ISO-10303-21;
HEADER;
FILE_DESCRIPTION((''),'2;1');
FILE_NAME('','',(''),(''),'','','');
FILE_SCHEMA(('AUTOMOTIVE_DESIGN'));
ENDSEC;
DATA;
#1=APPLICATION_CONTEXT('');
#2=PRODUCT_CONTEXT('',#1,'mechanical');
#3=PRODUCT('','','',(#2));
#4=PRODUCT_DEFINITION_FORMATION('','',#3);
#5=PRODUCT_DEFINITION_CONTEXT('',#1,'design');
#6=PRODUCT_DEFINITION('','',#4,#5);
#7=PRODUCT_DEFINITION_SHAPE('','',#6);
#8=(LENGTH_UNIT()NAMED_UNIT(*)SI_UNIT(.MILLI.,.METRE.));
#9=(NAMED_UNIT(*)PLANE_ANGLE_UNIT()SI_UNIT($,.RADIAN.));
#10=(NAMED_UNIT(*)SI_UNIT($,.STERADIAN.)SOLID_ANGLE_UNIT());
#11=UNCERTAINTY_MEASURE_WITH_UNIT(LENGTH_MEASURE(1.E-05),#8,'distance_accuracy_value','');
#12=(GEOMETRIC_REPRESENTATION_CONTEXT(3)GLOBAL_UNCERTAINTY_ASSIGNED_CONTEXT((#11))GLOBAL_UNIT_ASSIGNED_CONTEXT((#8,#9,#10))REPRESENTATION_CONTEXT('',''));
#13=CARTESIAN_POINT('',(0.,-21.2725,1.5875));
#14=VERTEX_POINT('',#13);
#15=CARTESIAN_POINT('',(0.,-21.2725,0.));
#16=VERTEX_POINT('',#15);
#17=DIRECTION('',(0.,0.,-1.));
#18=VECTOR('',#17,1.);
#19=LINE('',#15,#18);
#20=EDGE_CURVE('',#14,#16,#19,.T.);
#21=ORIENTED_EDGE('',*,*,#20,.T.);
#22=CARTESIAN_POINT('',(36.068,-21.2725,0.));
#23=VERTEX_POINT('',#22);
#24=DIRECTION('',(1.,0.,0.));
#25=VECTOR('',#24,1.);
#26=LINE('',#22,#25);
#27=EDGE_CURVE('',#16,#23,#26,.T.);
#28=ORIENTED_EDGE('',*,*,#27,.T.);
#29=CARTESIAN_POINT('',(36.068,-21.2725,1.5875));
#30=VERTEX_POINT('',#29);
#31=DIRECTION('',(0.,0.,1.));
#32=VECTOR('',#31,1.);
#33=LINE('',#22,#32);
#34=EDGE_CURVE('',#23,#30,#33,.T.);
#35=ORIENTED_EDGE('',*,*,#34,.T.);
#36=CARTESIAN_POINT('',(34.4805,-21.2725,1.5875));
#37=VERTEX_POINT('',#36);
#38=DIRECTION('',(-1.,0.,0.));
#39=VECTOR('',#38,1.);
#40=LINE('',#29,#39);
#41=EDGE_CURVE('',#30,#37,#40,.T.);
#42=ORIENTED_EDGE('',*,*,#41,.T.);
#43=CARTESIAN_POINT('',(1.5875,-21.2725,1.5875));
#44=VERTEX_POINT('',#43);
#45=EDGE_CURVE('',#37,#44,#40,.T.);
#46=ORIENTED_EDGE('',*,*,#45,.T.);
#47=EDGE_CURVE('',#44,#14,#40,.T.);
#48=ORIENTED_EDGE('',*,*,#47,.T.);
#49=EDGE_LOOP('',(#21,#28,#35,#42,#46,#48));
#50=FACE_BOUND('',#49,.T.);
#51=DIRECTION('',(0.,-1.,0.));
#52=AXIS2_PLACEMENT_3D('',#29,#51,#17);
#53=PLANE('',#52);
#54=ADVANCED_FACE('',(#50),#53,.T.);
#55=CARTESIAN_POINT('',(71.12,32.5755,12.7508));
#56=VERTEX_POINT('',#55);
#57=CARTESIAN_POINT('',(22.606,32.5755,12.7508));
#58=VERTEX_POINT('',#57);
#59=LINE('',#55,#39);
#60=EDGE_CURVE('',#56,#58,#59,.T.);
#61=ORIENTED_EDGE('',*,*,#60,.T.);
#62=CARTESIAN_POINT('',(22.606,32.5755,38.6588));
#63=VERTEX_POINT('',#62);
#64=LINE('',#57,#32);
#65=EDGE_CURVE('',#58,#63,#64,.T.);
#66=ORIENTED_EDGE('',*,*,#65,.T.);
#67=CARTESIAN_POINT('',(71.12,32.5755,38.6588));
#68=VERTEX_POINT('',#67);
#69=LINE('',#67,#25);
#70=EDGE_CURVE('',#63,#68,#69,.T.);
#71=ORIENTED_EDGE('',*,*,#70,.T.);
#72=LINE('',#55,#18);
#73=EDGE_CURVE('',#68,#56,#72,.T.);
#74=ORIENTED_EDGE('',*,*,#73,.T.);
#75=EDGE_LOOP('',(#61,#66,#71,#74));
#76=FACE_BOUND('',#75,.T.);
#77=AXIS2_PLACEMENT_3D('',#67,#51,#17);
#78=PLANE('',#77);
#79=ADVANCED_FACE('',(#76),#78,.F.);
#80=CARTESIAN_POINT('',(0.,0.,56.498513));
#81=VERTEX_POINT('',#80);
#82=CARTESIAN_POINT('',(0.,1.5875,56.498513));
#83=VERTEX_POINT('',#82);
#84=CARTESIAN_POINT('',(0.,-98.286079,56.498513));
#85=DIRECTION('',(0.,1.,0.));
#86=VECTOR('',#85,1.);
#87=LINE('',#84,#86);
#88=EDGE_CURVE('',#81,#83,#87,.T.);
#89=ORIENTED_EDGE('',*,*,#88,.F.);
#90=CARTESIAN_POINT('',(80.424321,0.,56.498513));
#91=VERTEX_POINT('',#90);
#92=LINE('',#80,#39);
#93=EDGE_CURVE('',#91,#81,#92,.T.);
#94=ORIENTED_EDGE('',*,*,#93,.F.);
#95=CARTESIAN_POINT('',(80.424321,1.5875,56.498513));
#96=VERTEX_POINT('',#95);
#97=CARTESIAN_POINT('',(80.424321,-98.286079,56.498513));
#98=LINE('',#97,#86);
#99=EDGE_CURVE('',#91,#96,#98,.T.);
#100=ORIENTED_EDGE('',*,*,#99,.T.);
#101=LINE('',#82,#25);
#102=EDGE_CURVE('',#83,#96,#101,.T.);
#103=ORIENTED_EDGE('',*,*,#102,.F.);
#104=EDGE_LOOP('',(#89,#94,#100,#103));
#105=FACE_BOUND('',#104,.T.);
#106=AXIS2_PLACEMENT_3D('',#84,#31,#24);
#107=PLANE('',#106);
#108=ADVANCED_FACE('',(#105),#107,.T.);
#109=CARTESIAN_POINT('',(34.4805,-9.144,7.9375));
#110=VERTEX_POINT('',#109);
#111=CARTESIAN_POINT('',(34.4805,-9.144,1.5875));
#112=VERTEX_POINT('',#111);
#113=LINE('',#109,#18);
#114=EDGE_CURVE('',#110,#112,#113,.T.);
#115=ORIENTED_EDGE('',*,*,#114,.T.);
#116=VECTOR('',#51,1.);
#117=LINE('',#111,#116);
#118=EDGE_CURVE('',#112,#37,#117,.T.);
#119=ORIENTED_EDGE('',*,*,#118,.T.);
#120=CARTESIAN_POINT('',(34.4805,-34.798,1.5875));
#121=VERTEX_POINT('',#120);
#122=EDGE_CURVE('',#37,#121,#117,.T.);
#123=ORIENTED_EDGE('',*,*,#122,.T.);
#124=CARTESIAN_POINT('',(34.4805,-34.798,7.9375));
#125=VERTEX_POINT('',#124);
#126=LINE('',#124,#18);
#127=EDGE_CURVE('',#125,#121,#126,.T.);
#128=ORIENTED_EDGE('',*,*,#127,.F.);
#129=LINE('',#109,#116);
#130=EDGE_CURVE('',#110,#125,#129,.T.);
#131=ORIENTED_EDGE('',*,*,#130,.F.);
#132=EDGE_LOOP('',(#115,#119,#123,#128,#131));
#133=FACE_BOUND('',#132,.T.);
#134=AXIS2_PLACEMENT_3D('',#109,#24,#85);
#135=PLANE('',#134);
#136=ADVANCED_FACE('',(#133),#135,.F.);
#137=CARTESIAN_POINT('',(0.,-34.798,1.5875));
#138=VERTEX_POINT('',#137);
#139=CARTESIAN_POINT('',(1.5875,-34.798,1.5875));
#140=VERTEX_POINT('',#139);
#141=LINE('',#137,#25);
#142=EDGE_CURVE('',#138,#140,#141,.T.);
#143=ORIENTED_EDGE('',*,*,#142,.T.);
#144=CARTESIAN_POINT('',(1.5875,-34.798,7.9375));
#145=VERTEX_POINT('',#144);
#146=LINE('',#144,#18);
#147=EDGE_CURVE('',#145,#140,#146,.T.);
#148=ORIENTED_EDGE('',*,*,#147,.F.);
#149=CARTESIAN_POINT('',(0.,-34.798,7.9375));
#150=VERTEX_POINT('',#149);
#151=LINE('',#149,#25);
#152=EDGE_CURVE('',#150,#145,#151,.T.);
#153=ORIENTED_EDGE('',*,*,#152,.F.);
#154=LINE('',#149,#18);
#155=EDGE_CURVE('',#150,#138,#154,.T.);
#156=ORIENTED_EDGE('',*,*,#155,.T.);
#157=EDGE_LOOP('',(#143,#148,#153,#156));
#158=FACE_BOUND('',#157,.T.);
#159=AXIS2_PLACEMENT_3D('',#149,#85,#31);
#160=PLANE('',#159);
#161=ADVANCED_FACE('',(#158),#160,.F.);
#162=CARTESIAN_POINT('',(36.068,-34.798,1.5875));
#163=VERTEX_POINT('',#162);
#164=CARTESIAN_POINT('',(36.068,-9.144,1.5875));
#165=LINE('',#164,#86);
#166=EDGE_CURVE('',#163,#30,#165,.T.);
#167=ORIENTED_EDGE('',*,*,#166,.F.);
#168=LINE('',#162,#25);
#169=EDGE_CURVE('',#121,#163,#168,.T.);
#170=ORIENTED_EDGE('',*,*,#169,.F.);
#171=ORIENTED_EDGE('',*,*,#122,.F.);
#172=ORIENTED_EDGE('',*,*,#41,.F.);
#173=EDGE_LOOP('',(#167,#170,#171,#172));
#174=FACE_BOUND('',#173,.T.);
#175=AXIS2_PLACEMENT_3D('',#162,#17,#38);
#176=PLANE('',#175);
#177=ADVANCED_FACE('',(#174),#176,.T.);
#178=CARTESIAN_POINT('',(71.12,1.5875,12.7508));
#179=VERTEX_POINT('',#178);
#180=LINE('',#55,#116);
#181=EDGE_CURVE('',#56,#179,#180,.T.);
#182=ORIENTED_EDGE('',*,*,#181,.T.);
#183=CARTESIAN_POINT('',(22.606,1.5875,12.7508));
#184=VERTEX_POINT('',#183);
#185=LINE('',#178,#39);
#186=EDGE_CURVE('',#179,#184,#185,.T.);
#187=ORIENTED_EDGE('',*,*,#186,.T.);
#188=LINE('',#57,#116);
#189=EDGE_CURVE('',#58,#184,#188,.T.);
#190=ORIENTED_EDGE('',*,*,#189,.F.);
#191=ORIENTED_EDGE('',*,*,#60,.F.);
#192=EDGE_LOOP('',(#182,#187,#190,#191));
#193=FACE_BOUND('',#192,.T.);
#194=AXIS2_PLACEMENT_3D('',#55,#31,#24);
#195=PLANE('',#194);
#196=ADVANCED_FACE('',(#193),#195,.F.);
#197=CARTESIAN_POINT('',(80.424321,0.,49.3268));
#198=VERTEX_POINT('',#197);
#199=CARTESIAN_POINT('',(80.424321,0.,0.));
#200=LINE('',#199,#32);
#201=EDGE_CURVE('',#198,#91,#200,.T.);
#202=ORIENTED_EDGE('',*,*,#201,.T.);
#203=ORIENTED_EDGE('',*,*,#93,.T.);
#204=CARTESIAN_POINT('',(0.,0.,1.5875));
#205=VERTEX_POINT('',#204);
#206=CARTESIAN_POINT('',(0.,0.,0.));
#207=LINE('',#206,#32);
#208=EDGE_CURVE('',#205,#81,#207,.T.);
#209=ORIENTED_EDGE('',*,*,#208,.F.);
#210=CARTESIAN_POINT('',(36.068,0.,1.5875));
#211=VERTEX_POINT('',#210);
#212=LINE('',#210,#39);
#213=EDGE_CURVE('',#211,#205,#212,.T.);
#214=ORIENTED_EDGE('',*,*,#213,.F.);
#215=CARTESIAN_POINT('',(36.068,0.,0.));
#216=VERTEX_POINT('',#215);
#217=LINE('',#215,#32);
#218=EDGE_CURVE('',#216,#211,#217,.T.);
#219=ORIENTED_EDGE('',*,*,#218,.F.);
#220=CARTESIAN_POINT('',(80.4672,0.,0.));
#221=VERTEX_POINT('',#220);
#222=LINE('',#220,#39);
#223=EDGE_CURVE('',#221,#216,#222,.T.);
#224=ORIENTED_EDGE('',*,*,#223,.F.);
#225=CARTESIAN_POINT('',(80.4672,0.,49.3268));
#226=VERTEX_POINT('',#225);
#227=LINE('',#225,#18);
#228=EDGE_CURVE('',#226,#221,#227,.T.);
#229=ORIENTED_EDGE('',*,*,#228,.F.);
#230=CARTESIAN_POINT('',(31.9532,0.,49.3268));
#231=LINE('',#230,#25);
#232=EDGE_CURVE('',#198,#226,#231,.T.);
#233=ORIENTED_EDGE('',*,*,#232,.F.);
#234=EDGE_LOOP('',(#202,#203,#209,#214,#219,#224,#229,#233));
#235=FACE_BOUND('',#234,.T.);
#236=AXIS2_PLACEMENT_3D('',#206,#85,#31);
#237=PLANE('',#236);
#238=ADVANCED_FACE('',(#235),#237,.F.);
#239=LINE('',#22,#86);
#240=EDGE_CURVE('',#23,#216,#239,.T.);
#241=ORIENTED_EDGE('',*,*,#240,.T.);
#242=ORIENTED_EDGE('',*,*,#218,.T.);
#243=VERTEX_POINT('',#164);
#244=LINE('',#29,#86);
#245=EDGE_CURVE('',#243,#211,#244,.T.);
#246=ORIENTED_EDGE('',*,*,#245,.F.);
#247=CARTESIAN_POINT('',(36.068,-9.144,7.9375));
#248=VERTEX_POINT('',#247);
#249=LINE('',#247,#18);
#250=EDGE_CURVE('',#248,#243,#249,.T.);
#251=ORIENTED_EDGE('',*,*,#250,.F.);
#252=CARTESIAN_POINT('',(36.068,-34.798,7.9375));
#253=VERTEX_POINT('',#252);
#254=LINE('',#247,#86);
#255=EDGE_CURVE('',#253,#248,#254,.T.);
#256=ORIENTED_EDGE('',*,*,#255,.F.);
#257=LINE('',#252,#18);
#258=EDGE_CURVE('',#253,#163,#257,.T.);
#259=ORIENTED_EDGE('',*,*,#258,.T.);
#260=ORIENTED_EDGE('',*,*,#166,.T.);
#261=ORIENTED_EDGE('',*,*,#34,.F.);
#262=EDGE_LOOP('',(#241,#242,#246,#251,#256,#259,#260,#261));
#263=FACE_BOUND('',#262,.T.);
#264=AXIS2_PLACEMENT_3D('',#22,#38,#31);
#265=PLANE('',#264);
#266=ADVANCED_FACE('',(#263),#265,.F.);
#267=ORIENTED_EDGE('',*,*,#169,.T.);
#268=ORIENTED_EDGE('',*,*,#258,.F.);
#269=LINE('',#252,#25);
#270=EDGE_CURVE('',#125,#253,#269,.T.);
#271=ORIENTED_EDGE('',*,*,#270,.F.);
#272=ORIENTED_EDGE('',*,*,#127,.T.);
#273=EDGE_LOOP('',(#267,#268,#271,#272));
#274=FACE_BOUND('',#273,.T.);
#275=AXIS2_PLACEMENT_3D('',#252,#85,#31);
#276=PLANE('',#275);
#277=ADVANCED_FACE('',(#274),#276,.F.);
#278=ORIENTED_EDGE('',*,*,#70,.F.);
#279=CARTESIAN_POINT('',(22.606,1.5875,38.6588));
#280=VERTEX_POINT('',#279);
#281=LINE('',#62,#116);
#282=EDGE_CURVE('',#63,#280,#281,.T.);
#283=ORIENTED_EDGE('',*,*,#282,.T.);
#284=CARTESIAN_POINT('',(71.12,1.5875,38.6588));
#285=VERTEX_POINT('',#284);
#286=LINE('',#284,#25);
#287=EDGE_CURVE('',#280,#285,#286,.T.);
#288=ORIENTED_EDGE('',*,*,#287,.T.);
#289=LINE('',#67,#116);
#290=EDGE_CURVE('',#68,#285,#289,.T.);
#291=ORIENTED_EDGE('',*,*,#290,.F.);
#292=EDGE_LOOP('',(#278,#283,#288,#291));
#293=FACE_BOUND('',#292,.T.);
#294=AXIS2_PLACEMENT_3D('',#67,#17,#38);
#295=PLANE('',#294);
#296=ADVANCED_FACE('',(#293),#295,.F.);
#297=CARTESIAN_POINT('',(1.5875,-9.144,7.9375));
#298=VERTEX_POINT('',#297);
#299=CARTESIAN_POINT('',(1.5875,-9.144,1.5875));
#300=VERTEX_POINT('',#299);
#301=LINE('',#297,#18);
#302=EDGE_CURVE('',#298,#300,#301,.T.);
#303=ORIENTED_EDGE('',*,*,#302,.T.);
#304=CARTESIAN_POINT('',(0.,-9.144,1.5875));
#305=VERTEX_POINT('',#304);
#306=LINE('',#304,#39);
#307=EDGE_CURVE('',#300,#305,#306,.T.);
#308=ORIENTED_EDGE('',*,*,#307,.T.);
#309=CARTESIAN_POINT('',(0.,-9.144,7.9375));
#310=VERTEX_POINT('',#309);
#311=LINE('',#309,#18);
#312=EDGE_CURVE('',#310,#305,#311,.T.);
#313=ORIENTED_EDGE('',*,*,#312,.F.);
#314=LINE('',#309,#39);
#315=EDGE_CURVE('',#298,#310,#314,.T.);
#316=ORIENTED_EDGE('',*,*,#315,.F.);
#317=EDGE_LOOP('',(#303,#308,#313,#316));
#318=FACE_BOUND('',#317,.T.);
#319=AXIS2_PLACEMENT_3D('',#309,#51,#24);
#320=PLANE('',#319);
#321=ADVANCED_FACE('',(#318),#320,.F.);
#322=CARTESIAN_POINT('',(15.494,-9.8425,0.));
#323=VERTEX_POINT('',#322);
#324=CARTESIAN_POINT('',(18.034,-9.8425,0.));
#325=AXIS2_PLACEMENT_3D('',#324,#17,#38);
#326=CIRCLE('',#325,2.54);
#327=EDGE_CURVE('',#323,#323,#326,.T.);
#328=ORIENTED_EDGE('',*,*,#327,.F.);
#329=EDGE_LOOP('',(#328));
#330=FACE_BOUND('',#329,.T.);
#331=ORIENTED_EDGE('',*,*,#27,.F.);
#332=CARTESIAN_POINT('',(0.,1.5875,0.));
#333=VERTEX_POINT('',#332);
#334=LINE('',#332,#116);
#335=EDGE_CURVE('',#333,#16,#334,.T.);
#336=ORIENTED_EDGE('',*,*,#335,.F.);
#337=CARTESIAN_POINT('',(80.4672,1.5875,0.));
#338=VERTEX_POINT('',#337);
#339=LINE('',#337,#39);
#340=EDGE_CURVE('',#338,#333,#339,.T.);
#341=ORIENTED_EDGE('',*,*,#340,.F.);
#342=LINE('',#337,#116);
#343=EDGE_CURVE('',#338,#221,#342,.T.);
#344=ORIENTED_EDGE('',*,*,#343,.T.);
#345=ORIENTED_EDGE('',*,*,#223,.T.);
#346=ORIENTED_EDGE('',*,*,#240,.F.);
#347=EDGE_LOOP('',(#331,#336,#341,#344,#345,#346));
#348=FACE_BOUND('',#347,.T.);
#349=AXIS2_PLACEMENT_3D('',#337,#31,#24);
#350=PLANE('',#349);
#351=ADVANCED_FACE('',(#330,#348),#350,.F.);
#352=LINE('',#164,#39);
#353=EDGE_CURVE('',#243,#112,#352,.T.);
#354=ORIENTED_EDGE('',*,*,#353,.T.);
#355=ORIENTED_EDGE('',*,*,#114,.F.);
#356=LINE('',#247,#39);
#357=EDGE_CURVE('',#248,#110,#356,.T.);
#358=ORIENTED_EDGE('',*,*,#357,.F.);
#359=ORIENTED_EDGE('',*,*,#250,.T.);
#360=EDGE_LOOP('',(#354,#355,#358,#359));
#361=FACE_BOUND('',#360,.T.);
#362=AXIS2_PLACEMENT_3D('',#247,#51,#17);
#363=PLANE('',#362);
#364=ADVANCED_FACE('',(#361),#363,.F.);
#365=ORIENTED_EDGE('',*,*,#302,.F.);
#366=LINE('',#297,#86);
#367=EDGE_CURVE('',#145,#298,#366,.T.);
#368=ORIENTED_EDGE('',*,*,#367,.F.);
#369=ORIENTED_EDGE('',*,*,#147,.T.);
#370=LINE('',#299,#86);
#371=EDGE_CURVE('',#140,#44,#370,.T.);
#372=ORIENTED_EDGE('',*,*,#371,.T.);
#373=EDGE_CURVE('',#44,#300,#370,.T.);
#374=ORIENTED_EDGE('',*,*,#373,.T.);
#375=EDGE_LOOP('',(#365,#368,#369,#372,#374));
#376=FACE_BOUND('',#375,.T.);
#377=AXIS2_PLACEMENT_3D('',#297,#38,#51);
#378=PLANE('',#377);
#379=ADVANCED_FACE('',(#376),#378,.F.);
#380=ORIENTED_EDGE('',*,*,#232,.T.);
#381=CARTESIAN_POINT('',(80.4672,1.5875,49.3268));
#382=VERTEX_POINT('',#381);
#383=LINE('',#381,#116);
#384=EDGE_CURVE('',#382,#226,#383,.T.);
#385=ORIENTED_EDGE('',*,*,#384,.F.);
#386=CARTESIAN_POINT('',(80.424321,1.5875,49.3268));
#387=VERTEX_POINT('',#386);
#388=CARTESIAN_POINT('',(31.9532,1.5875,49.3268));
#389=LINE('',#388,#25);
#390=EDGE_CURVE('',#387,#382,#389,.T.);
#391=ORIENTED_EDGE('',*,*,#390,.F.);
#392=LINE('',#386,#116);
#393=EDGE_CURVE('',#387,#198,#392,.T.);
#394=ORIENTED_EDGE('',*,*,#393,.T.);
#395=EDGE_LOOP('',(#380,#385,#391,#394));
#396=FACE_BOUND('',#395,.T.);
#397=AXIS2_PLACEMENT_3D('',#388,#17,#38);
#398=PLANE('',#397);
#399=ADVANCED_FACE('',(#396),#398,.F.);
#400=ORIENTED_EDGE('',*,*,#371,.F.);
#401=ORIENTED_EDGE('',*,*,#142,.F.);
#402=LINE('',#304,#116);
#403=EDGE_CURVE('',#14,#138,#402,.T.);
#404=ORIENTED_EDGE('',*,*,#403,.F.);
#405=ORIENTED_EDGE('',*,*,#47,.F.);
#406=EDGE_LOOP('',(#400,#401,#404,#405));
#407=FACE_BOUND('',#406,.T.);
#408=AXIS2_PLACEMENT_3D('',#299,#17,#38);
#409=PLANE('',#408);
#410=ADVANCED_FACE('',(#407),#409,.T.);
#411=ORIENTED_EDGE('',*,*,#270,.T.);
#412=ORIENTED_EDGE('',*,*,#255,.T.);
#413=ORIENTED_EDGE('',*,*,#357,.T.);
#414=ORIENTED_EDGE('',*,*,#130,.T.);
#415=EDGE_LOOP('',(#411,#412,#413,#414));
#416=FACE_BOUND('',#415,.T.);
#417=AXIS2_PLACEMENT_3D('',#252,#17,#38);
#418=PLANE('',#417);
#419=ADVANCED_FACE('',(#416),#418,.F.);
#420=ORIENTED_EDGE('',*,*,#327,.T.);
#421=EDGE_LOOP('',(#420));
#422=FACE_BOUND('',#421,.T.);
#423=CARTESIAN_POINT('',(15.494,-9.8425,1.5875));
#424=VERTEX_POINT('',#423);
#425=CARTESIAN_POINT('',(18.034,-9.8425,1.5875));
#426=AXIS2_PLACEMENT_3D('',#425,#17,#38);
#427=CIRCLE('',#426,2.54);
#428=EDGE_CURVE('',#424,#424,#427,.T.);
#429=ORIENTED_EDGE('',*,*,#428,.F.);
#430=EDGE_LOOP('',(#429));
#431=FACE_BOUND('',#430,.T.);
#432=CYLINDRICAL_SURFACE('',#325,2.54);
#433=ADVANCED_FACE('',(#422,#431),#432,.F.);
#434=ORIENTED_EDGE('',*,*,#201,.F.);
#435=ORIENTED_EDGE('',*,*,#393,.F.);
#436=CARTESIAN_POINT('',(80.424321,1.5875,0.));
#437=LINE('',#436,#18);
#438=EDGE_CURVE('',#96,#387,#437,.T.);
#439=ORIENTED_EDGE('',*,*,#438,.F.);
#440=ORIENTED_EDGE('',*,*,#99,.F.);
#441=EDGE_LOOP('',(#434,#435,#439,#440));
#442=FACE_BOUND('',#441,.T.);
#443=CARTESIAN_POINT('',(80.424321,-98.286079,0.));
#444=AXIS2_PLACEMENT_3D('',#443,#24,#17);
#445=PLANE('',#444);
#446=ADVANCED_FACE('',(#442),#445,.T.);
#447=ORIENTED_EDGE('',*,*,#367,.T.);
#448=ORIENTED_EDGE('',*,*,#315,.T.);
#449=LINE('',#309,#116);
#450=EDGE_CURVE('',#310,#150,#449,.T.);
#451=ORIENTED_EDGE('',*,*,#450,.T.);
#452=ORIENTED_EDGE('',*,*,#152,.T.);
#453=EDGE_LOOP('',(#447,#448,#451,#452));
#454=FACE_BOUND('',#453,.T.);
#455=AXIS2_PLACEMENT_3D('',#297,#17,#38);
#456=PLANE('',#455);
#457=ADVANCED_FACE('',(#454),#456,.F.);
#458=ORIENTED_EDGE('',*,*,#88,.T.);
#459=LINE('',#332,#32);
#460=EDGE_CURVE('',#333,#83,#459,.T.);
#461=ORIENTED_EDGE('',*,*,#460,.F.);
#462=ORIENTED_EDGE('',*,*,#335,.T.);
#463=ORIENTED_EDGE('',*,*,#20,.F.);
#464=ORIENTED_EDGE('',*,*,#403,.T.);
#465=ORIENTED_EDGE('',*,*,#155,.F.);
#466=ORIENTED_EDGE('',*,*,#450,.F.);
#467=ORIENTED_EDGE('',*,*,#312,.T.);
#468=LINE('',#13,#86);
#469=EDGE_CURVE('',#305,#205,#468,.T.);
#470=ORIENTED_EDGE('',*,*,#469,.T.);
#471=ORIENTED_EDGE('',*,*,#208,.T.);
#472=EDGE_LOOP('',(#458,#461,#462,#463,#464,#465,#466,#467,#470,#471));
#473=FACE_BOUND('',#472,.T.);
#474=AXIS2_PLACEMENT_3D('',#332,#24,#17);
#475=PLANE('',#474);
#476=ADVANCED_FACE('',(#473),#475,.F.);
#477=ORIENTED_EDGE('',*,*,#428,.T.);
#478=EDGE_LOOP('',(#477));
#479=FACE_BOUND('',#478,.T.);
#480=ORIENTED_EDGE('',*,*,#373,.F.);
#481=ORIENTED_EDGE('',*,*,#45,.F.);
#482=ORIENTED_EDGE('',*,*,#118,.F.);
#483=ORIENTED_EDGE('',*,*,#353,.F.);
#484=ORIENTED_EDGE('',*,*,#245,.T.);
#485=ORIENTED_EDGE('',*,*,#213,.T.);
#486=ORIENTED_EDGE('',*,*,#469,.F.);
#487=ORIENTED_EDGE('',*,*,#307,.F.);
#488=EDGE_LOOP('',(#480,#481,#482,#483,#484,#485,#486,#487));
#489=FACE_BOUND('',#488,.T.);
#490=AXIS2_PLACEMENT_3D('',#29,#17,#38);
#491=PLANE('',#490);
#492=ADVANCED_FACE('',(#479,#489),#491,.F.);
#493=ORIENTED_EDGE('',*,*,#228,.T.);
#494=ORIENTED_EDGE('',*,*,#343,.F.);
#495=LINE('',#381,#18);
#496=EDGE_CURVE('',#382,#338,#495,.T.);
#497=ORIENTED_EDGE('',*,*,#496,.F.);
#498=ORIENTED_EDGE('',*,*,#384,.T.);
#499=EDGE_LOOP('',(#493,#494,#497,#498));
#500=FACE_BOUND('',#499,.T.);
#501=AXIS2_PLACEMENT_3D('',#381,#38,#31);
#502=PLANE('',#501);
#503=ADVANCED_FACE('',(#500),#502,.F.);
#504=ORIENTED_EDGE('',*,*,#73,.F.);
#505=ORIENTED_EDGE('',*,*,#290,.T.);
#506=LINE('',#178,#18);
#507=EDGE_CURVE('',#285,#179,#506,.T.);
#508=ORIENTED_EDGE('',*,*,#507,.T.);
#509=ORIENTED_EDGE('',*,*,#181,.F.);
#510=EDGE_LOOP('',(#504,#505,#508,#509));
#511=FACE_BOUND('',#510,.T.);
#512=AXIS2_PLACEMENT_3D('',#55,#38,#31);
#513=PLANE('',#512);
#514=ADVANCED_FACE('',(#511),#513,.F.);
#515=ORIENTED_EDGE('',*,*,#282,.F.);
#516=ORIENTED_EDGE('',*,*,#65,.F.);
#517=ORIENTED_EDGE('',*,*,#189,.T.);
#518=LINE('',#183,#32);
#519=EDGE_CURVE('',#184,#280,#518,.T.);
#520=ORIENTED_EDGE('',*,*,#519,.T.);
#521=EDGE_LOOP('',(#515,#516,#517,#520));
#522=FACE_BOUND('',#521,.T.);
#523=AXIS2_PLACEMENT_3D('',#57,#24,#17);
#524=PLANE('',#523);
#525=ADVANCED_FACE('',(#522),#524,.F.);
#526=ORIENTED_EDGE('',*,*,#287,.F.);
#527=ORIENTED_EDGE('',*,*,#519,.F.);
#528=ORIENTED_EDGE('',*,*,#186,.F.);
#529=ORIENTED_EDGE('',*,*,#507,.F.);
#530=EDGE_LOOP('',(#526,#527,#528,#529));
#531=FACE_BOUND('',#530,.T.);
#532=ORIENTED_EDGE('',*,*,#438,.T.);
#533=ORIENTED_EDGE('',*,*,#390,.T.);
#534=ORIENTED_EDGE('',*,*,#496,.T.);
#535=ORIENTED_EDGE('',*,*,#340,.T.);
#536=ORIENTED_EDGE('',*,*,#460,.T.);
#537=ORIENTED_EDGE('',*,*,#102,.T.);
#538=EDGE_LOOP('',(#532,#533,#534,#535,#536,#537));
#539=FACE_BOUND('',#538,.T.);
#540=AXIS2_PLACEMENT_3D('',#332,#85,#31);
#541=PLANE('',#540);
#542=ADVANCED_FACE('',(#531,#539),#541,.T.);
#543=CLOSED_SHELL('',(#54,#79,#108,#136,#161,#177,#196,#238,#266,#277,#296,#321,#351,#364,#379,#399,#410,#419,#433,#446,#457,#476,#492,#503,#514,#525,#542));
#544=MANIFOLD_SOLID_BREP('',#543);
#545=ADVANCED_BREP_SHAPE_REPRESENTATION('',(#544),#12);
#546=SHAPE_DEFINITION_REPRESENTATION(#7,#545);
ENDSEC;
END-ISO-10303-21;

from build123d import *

# Parameters (mm, degrees)
BOSS_EXTRUDE1_DEPTH = 1.5875
SKETCH2_W           = 36.068
SKETCH2_H           = 1.5875
BOSS_EXTRUDE2_DEPTH = 21.2725
SKETCH3_W           = 1.5875
SKETCH3_H           = 25.654
BOSS_EXTRUDE3_DEPTH = 6.35
HOLE1_D             = 5.08
HOLE1_DEPTH         = 15.875
SKETCH9_W           = 48.514
SKETCH9_H           = 25.908
BOSS_EXTRUDE4_DEPTH = 30.988
SKETCH11_W          = 80.424320956
SKETCH11_H          = 56.498512817
BOSS_EXTRUDE5_DEPTH = 1.5875


with BuildPart() as part:
    # Sketch1 → Boss-Extrude1 (new body)
    with BuildSketch(Plane(origin=(0, 0, 0), x_dir=(1, 0, 0), z_dir=(0, 1, 0))):
        Polygon((0, 0), (0, -25.4), (13.2588, -56.388), (31.9532, -56.388), (31.9532, -49.3268), (80.4672, -49.3268), (80.4672, 0), align=None)
    extrude(amount=BOSS_EXTRUDE1_DEPTH)

    # Sketch2 → Boss-Extrude2 (add)
    with BuildSketch(Plane.XZ):
        with Locations((18.034, 0.79375)):
            Rectangle(SKETCH2_W, SKETCH2_H)
    extrude(amount=BOSS_EXTRUDE2_DEPTH)

    # Sketch3 → Boss-Extrude3 (add)
    with BuildSketch(Plane.XY.offset(1.5875)):
        with Locations((35.27425, -21.971)):
            Rectangle(SKETCH3_W, SKETCH3_H)
        with Locations((0.79375, -21.971)):
            Rectangle(SKETCH3_W, SKETCH3_H)
    extrude(amount=BOSS_EXTRUDE3_DEPTH)

    # Hole1
    with Locations(Plane(origin=(0, 0, 0), x_dir=(-1, 0, 0), z_dir=(0, 0, -1))):
        with Locations((-18.034, -9.8425)):
            Hole(HOLE1_D / 2, depth=HOLE1_DEPTH)

    # Sketch9 → Boss-Extrude4 (add)
    with BuildSketch(Plane(origin=(0, 1.5875, 0), x_dir=(1, 0, 0), z_dir=(0, 1, 0))):
        with Locations((46.863, -25.7048)):
            Rectangle(SKETCH9_W, SKETCH9_H)
    extrude(amount=BOSS_EXTRUDE4_DEPTH)

    # Sketch11 → Boss-Extrude5 (add)
    with BuildSketch(Plane(origin=(0, 1.5875, 0), x_dir=(1, 0, 0), z_dir=(0, 1, 0))):
        with Locations((40.212160478, -28.249256409)):
            Rectangle(SKETCH11_W, SKETCH11_H)
    extrude(amount=-BOSS_EXTRUDE5_DEPTH)


solid = part.part
